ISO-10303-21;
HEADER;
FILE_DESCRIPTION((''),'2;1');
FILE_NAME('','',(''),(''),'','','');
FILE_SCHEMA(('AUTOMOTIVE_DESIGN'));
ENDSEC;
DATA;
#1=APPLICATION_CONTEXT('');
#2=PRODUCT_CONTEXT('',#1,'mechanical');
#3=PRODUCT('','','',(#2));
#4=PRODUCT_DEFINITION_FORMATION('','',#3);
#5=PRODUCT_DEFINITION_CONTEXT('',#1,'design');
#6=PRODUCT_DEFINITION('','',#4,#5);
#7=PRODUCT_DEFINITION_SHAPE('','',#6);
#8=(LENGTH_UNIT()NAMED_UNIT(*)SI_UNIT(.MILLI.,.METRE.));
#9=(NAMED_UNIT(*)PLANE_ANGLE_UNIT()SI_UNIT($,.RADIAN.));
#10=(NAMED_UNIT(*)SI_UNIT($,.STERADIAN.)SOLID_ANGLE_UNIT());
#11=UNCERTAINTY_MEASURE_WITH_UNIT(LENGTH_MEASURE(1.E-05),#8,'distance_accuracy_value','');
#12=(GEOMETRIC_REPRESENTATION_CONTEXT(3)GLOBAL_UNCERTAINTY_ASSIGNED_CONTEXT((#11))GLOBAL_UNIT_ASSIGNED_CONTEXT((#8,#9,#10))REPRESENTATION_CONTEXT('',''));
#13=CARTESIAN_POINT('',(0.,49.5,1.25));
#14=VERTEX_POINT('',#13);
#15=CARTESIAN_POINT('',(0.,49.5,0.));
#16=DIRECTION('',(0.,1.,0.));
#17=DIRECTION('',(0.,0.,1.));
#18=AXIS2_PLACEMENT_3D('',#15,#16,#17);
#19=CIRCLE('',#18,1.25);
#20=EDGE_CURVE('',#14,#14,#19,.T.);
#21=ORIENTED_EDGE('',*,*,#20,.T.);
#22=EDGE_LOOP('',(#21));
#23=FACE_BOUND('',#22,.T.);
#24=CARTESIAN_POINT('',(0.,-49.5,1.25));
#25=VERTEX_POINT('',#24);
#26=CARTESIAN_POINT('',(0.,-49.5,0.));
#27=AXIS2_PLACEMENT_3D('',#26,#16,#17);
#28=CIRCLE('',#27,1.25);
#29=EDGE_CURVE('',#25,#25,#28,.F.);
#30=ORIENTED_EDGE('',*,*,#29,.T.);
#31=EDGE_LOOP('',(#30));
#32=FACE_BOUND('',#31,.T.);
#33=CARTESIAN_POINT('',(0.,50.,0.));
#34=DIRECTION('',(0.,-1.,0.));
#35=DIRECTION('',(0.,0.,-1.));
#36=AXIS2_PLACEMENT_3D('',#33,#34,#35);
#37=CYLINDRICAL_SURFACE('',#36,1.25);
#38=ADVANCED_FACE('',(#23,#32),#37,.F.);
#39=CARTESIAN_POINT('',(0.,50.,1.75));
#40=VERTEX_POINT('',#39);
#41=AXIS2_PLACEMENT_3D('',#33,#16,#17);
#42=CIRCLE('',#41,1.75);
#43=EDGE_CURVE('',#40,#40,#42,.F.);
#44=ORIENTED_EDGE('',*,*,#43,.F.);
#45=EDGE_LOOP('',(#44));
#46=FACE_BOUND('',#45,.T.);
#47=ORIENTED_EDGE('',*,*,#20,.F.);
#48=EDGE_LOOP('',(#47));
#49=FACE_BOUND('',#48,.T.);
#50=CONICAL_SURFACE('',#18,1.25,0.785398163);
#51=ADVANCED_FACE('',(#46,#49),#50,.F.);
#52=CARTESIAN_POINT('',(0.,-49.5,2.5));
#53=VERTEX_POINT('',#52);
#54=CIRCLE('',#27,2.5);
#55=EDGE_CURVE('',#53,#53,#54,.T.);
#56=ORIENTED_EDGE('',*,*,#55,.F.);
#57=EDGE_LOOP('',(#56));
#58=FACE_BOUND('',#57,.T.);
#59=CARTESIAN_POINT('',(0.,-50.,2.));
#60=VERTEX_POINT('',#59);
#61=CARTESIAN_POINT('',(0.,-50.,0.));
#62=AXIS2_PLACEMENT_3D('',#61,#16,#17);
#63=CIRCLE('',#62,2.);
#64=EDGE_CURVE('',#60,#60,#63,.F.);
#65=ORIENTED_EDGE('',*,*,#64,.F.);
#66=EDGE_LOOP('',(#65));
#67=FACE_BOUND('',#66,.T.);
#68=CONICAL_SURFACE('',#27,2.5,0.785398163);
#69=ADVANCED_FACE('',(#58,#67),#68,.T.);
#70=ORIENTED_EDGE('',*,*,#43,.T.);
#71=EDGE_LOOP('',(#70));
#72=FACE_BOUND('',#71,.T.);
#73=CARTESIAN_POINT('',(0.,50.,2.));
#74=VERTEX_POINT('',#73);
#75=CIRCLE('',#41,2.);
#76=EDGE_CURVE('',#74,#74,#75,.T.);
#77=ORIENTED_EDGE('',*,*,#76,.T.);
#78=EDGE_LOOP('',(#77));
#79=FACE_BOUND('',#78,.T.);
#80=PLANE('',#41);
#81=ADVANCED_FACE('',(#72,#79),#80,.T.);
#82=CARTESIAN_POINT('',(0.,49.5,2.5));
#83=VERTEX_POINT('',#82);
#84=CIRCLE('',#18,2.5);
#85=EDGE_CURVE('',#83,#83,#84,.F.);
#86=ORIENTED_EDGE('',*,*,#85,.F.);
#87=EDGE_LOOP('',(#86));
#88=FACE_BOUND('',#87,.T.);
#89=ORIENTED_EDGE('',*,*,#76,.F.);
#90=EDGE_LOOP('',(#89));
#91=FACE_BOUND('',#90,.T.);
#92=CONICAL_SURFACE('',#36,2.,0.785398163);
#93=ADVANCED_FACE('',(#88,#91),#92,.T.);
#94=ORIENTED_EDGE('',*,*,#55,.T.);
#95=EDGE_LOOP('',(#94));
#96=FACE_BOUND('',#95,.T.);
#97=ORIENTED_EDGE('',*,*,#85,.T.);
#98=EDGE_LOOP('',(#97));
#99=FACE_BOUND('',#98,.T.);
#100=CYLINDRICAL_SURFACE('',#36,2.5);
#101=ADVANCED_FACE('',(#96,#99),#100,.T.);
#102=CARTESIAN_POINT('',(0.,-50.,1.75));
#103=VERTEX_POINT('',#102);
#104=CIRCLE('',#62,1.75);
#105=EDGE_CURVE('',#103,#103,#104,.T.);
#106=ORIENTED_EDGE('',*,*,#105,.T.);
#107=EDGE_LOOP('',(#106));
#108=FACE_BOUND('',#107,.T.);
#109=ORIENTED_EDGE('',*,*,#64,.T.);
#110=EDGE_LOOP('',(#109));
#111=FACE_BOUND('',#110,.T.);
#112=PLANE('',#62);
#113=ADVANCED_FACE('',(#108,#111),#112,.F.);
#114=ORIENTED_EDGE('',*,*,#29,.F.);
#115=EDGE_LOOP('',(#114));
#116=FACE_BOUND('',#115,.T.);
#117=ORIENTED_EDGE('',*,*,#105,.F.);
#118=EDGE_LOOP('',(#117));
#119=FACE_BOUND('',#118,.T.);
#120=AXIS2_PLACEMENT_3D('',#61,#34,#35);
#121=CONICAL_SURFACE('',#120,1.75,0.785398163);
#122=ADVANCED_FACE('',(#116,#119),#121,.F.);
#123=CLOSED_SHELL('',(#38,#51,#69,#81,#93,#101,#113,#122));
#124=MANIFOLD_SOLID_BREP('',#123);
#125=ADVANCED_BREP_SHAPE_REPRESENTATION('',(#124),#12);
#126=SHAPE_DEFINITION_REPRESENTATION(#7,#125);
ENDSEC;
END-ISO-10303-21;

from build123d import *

# Parameters (mm, degrees)
SKETCH1_R      = 2.5
SKETCH1_R_2    = 1.25
EXTRUDE1_DEPTH = 50
CHAMFER1_SIZE  = 0.5


with BuildPart() as part:
    # Sketch1 → Extrude1 (new, symmetric)
    with BuildSketch(Plane(origin=(0, 0, 0), x_dir=(1, 0, 0), z_dir=(0, 1, 0))):
        with Locations(Location((0, 0, 0), (0, 0, 270))):
            Circle(SKETCH1_R)
        with Locations(Location((0, 0, 0), (0, 0, 270))):
            Circle(SKETCH1_R_2, mode=Mode.SUBTRACT)
    extrude(amount=EXTRUDE1_DEPTH, both=True)

    # Chamfer1
    chamfer1_edges = [part.edges().sort_by_distance(p)[0] for p in [
        (0, -50, -2.5),
        (0, 50, -2.5),
        (0, -50, -1.25),
        (0, 50, -1.25),
    ]]
    chamfer(chamfer1_edges, length=CHAMFER1_SIZE)


solid = part.part
